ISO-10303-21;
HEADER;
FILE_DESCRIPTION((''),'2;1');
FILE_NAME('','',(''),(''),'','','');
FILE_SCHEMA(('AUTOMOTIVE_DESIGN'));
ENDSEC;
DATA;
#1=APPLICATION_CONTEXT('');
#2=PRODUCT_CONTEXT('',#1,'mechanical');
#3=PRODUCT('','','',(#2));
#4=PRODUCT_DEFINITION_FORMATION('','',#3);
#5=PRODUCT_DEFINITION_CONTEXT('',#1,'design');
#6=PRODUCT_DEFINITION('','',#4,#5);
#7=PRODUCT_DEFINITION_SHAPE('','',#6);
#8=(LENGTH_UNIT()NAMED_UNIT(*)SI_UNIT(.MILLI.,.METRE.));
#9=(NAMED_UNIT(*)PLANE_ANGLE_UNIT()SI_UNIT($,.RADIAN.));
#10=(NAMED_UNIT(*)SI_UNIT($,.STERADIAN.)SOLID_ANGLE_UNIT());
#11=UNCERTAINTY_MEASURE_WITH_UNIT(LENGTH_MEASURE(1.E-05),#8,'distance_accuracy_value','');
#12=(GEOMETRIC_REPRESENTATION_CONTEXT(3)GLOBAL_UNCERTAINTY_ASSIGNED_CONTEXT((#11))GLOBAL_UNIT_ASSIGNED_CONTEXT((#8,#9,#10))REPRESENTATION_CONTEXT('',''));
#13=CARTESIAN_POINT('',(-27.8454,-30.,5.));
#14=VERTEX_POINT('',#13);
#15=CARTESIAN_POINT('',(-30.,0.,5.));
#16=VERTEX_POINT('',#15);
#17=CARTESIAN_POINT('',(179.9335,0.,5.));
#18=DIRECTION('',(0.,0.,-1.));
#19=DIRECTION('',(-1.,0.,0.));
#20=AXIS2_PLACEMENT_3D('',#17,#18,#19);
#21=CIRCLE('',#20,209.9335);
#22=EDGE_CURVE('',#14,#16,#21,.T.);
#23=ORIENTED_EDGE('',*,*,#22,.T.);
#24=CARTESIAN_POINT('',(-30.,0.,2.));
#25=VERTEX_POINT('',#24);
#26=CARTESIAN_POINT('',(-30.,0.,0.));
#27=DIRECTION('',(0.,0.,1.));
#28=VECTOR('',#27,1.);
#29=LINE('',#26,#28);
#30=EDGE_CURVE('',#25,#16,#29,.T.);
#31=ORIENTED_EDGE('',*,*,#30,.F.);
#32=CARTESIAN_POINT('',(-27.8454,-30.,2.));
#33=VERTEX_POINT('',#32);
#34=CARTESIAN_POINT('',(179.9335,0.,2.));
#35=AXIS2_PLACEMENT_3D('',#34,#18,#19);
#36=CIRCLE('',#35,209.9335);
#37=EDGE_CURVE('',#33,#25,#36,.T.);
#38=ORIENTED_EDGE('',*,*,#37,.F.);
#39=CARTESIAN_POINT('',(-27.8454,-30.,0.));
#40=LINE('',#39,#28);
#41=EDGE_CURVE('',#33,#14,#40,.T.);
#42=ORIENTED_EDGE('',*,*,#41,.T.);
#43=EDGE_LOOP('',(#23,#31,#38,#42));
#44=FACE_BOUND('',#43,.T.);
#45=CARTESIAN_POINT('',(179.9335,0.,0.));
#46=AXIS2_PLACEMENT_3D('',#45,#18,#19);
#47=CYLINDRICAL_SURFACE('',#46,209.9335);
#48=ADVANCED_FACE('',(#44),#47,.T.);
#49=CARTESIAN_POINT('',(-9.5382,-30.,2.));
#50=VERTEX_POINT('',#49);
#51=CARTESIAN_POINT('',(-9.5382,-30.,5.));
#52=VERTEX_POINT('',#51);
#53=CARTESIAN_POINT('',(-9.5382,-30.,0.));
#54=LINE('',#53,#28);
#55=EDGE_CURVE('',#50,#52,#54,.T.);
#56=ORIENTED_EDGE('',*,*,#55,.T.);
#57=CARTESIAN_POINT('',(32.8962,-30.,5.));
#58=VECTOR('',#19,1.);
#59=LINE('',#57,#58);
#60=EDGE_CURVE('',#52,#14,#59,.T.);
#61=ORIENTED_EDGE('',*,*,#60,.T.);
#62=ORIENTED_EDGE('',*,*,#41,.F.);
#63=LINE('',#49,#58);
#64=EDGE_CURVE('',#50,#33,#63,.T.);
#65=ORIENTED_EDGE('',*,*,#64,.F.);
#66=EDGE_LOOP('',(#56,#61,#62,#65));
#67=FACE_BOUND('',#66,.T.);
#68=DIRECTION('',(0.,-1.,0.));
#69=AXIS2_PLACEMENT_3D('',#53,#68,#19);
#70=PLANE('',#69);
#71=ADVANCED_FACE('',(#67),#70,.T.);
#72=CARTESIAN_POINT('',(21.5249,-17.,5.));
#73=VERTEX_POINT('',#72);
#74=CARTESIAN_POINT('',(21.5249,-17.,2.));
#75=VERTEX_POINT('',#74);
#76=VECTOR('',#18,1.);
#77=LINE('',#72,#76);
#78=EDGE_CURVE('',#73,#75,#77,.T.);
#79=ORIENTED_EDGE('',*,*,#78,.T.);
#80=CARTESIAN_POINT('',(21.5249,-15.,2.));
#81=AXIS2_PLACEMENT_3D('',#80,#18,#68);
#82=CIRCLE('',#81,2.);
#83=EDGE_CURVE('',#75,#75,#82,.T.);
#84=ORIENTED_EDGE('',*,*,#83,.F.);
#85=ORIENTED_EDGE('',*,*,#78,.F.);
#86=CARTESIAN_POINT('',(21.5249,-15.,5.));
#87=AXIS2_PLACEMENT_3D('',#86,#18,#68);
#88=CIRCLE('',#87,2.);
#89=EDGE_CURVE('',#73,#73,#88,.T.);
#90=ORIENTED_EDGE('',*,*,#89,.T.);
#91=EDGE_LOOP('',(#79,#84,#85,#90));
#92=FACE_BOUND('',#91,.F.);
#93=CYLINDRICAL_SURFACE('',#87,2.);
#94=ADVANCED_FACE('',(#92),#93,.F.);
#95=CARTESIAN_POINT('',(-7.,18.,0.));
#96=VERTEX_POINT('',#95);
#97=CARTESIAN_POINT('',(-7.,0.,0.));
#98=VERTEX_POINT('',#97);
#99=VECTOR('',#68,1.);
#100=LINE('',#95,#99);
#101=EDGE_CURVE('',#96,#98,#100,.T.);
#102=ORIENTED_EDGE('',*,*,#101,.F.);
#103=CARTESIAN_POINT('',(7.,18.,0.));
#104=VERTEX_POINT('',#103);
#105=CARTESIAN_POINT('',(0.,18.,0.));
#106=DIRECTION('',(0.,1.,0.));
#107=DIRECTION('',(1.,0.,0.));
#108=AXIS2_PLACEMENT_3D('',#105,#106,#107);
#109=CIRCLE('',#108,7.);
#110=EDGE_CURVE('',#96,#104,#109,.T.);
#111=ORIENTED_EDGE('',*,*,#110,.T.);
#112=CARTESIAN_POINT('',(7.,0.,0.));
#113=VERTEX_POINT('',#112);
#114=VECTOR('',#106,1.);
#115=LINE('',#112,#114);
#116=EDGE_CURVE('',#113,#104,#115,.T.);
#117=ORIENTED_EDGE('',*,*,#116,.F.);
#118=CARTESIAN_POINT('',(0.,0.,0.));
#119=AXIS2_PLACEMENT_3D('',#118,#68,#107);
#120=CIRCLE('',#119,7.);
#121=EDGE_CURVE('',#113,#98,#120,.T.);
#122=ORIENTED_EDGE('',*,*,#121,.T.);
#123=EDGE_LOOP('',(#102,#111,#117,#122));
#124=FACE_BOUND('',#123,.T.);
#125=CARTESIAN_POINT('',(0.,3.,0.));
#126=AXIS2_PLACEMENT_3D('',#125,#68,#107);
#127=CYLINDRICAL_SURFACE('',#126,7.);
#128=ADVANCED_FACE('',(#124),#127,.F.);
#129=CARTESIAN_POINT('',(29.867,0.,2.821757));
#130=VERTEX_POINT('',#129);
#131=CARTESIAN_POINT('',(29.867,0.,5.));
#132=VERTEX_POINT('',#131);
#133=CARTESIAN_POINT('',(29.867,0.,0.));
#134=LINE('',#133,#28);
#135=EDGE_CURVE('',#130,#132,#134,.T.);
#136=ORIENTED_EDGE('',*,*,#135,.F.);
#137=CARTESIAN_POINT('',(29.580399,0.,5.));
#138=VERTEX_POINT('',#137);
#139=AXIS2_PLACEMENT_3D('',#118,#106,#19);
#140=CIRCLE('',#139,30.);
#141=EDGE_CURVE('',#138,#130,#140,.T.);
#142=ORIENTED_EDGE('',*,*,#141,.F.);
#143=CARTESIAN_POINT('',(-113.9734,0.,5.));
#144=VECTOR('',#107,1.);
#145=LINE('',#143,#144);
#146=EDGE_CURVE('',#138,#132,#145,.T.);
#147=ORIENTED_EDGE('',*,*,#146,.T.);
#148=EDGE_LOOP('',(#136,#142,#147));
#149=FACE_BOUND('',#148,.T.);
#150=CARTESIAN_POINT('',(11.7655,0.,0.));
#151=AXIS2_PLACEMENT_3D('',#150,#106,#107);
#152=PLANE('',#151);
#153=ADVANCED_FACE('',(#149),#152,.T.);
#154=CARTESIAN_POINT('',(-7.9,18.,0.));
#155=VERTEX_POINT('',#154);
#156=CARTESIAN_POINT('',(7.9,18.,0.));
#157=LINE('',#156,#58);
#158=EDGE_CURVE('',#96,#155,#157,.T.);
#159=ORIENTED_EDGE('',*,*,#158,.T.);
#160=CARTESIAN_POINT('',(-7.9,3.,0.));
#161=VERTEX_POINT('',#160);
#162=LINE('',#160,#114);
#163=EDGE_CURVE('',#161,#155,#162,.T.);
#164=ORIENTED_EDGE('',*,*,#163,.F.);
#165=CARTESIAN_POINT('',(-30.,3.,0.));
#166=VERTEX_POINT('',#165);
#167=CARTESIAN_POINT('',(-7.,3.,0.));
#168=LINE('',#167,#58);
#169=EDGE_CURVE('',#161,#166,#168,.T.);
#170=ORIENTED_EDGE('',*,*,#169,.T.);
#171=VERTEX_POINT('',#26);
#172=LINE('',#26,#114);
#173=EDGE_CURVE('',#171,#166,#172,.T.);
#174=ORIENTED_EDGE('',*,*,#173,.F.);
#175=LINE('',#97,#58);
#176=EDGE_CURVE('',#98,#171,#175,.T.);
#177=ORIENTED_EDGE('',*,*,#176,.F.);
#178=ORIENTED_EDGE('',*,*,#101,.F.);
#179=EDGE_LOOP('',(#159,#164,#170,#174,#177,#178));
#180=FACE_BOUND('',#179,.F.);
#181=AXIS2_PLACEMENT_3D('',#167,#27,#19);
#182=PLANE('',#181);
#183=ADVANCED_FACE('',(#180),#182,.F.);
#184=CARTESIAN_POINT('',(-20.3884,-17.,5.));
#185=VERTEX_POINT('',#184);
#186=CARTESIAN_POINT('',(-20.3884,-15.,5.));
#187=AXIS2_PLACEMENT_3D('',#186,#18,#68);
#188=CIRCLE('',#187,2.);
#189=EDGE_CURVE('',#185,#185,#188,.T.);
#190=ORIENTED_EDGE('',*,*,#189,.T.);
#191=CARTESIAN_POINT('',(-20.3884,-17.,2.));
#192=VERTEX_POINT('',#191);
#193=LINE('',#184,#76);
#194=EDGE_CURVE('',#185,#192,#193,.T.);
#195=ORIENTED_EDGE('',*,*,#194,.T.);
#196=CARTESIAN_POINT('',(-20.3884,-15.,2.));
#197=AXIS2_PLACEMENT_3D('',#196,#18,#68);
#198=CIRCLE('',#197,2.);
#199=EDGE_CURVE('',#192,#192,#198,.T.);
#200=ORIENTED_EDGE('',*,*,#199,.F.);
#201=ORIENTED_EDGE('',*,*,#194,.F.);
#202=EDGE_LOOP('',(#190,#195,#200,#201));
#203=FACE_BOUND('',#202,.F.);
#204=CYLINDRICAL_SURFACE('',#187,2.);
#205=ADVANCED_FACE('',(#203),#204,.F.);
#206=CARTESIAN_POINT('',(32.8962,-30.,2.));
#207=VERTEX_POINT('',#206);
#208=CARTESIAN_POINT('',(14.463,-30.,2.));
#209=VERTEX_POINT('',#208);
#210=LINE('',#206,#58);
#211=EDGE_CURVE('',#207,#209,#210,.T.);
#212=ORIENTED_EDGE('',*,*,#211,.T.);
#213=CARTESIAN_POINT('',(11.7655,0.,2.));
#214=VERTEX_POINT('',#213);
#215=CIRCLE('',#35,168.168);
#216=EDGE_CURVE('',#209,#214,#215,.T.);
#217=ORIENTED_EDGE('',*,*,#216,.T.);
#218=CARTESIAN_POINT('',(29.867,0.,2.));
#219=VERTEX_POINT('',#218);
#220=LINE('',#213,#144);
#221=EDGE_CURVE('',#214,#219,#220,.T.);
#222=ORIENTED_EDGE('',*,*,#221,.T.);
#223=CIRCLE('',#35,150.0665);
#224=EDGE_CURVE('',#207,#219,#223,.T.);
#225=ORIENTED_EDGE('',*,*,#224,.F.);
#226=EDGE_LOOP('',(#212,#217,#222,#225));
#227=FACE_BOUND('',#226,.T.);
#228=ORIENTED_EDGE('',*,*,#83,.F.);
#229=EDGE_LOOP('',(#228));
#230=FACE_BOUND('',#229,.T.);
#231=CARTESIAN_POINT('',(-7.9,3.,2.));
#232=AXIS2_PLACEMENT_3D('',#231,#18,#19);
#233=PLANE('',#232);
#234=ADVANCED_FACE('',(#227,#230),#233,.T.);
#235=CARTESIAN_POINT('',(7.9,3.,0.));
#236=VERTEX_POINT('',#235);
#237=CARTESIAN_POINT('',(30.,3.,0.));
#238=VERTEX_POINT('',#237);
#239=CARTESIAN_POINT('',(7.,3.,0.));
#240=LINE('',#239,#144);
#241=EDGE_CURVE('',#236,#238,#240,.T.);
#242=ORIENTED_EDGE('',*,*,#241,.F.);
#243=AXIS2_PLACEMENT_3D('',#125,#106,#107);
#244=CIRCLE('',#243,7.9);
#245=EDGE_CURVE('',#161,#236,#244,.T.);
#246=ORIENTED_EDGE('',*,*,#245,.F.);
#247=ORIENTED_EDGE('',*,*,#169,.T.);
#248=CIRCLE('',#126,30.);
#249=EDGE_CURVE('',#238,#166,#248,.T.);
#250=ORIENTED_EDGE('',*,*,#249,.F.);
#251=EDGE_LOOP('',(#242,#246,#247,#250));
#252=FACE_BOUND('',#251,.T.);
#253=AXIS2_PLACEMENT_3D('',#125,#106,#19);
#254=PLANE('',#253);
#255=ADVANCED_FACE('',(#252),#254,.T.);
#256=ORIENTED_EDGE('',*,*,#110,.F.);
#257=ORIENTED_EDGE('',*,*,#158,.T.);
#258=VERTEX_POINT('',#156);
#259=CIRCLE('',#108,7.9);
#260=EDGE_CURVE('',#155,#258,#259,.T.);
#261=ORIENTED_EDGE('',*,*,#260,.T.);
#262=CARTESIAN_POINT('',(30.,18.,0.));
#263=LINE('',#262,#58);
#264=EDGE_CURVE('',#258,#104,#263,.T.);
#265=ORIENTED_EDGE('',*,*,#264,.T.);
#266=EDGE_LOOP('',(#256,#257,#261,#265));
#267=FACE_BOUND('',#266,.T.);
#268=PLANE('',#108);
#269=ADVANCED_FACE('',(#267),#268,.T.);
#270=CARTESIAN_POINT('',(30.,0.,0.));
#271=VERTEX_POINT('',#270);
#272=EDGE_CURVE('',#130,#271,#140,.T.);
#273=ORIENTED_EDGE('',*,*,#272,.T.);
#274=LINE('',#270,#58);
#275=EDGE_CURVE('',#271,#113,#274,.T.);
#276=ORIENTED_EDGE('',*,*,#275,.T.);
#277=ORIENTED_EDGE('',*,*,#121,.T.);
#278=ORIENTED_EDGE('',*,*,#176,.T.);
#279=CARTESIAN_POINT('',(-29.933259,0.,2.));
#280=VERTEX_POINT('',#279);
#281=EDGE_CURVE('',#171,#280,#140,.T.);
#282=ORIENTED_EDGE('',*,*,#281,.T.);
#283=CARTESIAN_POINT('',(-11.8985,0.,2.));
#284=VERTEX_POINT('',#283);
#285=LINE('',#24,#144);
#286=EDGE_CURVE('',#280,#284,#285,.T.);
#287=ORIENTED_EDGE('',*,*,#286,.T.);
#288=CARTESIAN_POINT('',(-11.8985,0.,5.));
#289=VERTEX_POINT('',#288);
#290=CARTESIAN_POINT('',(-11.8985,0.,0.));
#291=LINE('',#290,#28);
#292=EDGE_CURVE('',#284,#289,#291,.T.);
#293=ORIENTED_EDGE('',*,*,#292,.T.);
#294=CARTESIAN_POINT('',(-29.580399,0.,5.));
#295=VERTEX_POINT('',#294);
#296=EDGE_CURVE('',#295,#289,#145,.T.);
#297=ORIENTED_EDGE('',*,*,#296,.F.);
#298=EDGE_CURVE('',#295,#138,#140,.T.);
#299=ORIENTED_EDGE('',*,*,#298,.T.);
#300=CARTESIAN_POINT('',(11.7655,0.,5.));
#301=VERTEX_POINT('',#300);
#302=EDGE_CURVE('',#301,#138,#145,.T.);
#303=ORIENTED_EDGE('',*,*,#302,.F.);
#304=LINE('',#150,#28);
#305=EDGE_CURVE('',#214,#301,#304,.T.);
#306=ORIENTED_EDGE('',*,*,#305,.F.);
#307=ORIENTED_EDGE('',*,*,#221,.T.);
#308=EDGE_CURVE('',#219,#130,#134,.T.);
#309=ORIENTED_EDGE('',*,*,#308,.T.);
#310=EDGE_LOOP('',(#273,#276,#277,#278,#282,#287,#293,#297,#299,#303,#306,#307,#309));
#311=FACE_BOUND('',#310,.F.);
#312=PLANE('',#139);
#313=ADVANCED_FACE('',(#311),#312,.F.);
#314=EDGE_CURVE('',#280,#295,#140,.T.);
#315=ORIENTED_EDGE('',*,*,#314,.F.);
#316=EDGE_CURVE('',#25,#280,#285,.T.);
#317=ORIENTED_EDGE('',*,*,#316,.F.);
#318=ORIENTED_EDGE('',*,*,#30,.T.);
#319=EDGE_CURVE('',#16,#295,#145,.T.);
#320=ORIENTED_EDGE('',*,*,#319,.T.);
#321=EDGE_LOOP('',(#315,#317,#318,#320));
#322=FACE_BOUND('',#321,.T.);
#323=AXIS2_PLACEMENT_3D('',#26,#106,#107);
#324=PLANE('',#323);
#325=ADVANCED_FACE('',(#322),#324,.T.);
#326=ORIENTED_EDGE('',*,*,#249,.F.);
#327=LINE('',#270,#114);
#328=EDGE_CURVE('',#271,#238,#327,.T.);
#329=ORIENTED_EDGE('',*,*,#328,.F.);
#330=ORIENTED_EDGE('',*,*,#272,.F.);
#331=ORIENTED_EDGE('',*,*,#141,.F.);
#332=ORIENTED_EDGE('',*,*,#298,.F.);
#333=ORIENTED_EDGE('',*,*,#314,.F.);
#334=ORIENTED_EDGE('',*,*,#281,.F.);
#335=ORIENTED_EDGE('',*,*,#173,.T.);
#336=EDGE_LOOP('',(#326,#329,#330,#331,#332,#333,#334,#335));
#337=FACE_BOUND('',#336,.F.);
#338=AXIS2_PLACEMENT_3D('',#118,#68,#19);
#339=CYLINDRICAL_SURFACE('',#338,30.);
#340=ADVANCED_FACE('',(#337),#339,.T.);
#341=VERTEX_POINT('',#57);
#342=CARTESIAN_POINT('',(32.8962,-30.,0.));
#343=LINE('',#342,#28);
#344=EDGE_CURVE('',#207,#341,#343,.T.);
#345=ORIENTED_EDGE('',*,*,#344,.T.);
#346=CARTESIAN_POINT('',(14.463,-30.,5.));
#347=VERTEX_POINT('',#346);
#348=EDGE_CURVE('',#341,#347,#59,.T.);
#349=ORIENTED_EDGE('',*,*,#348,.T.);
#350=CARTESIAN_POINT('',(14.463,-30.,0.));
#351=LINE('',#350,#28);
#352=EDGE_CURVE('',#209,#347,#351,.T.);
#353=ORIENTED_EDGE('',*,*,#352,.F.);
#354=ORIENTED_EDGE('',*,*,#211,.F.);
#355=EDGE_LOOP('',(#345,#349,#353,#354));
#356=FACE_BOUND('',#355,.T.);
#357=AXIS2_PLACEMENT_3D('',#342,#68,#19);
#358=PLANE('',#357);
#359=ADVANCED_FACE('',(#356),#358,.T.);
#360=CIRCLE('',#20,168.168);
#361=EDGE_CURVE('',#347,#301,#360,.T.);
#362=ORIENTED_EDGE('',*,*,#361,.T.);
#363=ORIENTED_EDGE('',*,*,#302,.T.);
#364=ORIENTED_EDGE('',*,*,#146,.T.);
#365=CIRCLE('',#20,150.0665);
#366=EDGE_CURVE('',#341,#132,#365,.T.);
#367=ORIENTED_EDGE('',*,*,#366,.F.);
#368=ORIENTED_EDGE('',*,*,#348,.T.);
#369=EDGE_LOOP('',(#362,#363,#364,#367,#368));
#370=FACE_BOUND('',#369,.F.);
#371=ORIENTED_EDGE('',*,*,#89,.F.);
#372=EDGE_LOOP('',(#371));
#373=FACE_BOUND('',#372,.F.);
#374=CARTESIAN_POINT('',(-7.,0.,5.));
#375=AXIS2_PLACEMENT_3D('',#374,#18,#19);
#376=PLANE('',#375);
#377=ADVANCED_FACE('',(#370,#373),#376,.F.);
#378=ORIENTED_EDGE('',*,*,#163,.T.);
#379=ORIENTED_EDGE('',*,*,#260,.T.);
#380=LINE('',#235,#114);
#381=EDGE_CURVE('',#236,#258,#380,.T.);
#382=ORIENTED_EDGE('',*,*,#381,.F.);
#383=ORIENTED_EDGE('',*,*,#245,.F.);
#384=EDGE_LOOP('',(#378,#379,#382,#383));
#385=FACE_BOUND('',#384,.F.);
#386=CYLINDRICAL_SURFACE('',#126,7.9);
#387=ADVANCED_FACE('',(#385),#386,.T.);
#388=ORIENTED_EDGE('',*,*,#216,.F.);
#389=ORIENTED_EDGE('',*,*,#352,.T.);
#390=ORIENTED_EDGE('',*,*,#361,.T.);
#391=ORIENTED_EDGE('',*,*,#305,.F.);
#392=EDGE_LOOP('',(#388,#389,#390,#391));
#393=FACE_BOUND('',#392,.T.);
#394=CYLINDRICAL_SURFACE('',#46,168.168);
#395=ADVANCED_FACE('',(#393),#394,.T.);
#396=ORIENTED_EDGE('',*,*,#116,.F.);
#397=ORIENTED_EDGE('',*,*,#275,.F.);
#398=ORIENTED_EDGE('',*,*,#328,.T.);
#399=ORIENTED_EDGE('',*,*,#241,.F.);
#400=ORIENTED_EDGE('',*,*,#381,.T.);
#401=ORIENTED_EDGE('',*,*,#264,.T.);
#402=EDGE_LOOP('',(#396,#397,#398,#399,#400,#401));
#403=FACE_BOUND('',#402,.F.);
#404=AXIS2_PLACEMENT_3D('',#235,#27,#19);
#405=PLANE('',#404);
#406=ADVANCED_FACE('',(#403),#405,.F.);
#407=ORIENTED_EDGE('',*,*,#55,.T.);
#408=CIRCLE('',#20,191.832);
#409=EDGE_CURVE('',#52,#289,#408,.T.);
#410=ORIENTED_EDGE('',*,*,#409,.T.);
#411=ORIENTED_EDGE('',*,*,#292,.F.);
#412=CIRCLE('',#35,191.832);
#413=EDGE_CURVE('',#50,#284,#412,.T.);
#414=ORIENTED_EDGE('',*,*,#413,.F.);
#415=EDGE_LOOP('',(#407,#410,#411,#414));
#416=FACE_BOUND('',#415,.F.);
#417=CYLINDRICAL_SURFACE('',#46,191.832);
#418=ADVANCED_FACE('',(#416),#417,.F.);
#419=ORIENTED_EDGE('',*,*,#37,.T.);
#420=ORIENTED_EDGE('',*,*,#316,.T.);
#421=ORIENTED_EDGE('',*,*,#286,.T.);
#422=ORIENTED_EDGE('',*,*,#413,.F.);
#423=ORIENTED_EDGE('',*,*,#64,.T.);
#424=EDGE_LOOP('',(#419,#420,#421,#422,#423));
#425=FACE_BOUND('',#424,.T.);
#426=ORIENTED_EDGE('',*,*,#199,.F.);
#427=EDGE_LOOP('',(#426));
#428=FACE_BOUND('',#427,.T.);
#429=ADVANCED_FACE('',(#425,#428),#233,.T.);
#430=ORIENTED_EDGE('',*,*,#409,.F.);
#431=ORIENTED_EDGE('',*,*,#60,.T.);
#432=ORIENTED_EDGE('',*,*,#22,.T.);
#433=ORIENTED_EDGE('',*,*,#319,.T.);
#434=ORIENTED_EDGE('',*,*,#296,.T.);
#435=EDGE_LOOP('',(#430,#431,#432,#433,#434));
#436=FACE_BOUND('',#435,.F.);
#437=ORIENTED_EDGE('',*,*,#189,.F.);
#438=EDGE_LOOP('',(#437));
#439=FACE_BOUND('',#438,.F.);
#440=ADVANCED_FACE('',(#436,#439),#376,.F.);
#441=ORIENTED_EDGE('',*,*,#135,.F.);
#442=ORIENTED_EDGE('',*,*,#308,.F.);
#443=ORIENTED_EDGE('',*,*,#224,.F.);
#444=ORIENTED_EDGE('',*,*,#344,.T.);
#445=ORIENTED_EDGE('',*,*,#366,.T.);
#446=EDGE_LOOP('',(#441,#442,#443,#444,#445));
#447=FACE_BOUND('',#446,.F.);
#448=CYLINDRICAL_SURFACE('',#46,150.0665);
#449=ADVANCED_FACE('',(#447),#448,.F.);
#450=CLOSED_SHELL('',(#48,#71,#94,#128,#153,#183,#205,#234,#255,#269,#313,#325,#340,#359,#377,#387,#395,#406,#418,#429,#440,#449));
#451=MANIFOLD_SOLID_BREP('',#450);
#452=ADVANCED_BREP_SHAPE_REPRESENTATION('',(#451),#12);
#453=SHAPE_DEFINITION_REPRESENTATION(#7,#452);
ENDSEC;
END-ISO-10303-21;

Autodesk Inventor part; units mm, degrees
ref_plane "YZ Plane" through (0, 0, 0) normal (1, 0, 0) x (0, 1, 0)
ref_plane "XZ Plane" through (0, 0, 0) normal (0, 1, 0) x (-1, 0, 0)
ref_plane "XY Plane" through (0, 0, 0) normal (0, 0, 1) x (1, 0, 0)
sketch "Skizze1" plane through (0, 0, 0) normal (0, 1, 0) x (-1, 0, 0)
  circle A0 centre (0, 0) radius 30
  circle A1 centre (0, 0) radius 7
  line L0 (7, 0) -> (30, 0)
  line L1 (-7, 0) -> (-30, 0)
  line L2 (42, 0) -> (-42, 0) projected
  line L3 (0, -42) -> (0, 42) projected
  dimension "d0" = 60
  dimension "d1" = 14
  dimension "d2" = 0
extrude "Extrusion1" add sketch "Skizze1" along normal blind 3 contours L0 A1 L3 A0 | L3 A1 L1 A0 picked at (15.508, 15.8775) picked at (-21.0338, 7.0833)
sketch "Skizze3" plane through (0, 3, 0) normal (0, 1, 0) x (1, 0, 0)
  circle A0 centre (0, 0) radius 7.9
  circle A1 centre (0, 0) radius 7
  arc A2 (-7, 0) -> (7, 0) centre (0, 0) ccw projected
  line L0 (30, 0) -> (7, 0) projected
  line L1 (7.9, 0) -> (-7.9, 0)
  dimension "d13" = 15.8
extrude "Extrusion3" add sketch "Skizze3" along normal blind 15 contours A0 L1 A1 L0 picked at (7.5235, -0.6302)
sketch "Skizze4" plane through (-7, 0, 0) normal (0, 0, -1) x (-1, 0, 0)
  circle A0 centre (-186.9335, 0) radius 209.9335
  line L0 (106.9734, 0) -> (-480.8404, 0) projected
  line L1 (-7, -293.9069) -> (-7, 293.9069) projected
  line L2 (23, 0) -> (23, 3) projected
  circle A1 centre (-186.9335, 0) radius 191.832
  circle A2 centre (-186.9335, 0) radius 168.168
  circle A3 centre (-186.9335, 0) radius 150.0665
  line L3 (-39.8962, -30) -> (20.8454, -30)
  line L4 (2.5382, -30) -> (20.8454, -30)
  line L5 (-21.463, -30) -> (-39.8962, -30)
  point P0 (-7, 0)
  point P1 (4.8985, 0)
  point P2 (-18.7655, 0)
  point P3 (-36.867, 0)
  dimension "d16" = 419.867
  dimension "d17" = 383.664
  dimension "d18" = 336.336
  dimension "d19" = 300.133
  dimension "d20" = 30
extrude "Extrusion4" add sketch "Skizze4" against normal blind 5 contours L3 A1 L0 A0 | L3 A3 L0 A2 picked at (-33.1917, -26.6918)
sketch "Skizze5" plane through (-7.9, 3, 0) normal (0, 0, -1) x (-1, 0, 0)
  circle A0 centre (-187.8335, -3) radius 209.9335
  line L0 (22.1, -3) -> (22.1, 0)
  circle A1 centre (-187.8335, -3) radius 191.832
  circle A2 centre (-187.8335, -3) radius 168.168
  circle A3 centre (-187.8335, -3) radius 150.0665
  arc A4 (19.9454, -33) -> (22.1, -3) centre (-187.8335, -3) ccw projected
  line L1 (1.6382, -33) -> (19.9454, -33) projected
  line L2 (19.9454, -33) -> (1.6382, -33)
  line L3 (1.6382, -33) -> (-22.363, -33)
  line L4 (-40.7962, -33) -> (-22.363, -33)
  line L5 (22.1, -3) -> (3.9985, -3)
  line L6 (21.6804, -3) -> (-37.4804, -3) projected
  line L7 (-19.6655, -3) -> (-37.767, -3)
  point P0 (-7.9, -3)
  point P1 (193.7355, 3.1959)
  point P2 (175.634, 3.1959)
  point P3 (151.97, 3.1959)
  point P4 (133.8685, 3.1959)
  point P5 (19.9454, -33)
  dimension "d23" = 419.867
  dimension "d24" = 383.664
  dimension "d25" = 336.336
  dimension "d26" = 300.133
extrude "Extrusion5" cut sketch "Skizze5" against normal blind 2 contours A0 L1 A1 L5 | L4 A3 L7 L6 A2 picked at (8.1773, -29.6819) picked at (-34.0917, -29.6918)
sketch "Skizze6" plane through (-7, 0, 5) normal (0, 0, 1) x (1, 0, 0)
  line L0 (36.5804, 0) -> (-22.5804, 0) projected
  line L1 (-23, 0) -> (-23, 3) projected
  circle A0 centre (186.9335, 0) radius 200.8827
  arc A1 (-23, 0) -> (-20.8454, -30) centre (186.9335, 0) ccw projected
  circle A2 centre (186.9335, 0) radius 159.1173
  point P0 (7, 0)
  point P1 (-13.3884, -15)
  point P2 (28.5249, -15)
  dimension "d32" = 401.7655
  dimension "d33" = 318.2345
  dimension "d30" = 15
  dimension "d34" = 15
hole "Bohrung1" at (-20.3884, -15, 5) at (21.5249, -15, 5) direction (0, 0, -1) diameter 4 depth 10 tip angle 118
properties part number "Verbindungsstück-rechts-15mm-Ph-L"
